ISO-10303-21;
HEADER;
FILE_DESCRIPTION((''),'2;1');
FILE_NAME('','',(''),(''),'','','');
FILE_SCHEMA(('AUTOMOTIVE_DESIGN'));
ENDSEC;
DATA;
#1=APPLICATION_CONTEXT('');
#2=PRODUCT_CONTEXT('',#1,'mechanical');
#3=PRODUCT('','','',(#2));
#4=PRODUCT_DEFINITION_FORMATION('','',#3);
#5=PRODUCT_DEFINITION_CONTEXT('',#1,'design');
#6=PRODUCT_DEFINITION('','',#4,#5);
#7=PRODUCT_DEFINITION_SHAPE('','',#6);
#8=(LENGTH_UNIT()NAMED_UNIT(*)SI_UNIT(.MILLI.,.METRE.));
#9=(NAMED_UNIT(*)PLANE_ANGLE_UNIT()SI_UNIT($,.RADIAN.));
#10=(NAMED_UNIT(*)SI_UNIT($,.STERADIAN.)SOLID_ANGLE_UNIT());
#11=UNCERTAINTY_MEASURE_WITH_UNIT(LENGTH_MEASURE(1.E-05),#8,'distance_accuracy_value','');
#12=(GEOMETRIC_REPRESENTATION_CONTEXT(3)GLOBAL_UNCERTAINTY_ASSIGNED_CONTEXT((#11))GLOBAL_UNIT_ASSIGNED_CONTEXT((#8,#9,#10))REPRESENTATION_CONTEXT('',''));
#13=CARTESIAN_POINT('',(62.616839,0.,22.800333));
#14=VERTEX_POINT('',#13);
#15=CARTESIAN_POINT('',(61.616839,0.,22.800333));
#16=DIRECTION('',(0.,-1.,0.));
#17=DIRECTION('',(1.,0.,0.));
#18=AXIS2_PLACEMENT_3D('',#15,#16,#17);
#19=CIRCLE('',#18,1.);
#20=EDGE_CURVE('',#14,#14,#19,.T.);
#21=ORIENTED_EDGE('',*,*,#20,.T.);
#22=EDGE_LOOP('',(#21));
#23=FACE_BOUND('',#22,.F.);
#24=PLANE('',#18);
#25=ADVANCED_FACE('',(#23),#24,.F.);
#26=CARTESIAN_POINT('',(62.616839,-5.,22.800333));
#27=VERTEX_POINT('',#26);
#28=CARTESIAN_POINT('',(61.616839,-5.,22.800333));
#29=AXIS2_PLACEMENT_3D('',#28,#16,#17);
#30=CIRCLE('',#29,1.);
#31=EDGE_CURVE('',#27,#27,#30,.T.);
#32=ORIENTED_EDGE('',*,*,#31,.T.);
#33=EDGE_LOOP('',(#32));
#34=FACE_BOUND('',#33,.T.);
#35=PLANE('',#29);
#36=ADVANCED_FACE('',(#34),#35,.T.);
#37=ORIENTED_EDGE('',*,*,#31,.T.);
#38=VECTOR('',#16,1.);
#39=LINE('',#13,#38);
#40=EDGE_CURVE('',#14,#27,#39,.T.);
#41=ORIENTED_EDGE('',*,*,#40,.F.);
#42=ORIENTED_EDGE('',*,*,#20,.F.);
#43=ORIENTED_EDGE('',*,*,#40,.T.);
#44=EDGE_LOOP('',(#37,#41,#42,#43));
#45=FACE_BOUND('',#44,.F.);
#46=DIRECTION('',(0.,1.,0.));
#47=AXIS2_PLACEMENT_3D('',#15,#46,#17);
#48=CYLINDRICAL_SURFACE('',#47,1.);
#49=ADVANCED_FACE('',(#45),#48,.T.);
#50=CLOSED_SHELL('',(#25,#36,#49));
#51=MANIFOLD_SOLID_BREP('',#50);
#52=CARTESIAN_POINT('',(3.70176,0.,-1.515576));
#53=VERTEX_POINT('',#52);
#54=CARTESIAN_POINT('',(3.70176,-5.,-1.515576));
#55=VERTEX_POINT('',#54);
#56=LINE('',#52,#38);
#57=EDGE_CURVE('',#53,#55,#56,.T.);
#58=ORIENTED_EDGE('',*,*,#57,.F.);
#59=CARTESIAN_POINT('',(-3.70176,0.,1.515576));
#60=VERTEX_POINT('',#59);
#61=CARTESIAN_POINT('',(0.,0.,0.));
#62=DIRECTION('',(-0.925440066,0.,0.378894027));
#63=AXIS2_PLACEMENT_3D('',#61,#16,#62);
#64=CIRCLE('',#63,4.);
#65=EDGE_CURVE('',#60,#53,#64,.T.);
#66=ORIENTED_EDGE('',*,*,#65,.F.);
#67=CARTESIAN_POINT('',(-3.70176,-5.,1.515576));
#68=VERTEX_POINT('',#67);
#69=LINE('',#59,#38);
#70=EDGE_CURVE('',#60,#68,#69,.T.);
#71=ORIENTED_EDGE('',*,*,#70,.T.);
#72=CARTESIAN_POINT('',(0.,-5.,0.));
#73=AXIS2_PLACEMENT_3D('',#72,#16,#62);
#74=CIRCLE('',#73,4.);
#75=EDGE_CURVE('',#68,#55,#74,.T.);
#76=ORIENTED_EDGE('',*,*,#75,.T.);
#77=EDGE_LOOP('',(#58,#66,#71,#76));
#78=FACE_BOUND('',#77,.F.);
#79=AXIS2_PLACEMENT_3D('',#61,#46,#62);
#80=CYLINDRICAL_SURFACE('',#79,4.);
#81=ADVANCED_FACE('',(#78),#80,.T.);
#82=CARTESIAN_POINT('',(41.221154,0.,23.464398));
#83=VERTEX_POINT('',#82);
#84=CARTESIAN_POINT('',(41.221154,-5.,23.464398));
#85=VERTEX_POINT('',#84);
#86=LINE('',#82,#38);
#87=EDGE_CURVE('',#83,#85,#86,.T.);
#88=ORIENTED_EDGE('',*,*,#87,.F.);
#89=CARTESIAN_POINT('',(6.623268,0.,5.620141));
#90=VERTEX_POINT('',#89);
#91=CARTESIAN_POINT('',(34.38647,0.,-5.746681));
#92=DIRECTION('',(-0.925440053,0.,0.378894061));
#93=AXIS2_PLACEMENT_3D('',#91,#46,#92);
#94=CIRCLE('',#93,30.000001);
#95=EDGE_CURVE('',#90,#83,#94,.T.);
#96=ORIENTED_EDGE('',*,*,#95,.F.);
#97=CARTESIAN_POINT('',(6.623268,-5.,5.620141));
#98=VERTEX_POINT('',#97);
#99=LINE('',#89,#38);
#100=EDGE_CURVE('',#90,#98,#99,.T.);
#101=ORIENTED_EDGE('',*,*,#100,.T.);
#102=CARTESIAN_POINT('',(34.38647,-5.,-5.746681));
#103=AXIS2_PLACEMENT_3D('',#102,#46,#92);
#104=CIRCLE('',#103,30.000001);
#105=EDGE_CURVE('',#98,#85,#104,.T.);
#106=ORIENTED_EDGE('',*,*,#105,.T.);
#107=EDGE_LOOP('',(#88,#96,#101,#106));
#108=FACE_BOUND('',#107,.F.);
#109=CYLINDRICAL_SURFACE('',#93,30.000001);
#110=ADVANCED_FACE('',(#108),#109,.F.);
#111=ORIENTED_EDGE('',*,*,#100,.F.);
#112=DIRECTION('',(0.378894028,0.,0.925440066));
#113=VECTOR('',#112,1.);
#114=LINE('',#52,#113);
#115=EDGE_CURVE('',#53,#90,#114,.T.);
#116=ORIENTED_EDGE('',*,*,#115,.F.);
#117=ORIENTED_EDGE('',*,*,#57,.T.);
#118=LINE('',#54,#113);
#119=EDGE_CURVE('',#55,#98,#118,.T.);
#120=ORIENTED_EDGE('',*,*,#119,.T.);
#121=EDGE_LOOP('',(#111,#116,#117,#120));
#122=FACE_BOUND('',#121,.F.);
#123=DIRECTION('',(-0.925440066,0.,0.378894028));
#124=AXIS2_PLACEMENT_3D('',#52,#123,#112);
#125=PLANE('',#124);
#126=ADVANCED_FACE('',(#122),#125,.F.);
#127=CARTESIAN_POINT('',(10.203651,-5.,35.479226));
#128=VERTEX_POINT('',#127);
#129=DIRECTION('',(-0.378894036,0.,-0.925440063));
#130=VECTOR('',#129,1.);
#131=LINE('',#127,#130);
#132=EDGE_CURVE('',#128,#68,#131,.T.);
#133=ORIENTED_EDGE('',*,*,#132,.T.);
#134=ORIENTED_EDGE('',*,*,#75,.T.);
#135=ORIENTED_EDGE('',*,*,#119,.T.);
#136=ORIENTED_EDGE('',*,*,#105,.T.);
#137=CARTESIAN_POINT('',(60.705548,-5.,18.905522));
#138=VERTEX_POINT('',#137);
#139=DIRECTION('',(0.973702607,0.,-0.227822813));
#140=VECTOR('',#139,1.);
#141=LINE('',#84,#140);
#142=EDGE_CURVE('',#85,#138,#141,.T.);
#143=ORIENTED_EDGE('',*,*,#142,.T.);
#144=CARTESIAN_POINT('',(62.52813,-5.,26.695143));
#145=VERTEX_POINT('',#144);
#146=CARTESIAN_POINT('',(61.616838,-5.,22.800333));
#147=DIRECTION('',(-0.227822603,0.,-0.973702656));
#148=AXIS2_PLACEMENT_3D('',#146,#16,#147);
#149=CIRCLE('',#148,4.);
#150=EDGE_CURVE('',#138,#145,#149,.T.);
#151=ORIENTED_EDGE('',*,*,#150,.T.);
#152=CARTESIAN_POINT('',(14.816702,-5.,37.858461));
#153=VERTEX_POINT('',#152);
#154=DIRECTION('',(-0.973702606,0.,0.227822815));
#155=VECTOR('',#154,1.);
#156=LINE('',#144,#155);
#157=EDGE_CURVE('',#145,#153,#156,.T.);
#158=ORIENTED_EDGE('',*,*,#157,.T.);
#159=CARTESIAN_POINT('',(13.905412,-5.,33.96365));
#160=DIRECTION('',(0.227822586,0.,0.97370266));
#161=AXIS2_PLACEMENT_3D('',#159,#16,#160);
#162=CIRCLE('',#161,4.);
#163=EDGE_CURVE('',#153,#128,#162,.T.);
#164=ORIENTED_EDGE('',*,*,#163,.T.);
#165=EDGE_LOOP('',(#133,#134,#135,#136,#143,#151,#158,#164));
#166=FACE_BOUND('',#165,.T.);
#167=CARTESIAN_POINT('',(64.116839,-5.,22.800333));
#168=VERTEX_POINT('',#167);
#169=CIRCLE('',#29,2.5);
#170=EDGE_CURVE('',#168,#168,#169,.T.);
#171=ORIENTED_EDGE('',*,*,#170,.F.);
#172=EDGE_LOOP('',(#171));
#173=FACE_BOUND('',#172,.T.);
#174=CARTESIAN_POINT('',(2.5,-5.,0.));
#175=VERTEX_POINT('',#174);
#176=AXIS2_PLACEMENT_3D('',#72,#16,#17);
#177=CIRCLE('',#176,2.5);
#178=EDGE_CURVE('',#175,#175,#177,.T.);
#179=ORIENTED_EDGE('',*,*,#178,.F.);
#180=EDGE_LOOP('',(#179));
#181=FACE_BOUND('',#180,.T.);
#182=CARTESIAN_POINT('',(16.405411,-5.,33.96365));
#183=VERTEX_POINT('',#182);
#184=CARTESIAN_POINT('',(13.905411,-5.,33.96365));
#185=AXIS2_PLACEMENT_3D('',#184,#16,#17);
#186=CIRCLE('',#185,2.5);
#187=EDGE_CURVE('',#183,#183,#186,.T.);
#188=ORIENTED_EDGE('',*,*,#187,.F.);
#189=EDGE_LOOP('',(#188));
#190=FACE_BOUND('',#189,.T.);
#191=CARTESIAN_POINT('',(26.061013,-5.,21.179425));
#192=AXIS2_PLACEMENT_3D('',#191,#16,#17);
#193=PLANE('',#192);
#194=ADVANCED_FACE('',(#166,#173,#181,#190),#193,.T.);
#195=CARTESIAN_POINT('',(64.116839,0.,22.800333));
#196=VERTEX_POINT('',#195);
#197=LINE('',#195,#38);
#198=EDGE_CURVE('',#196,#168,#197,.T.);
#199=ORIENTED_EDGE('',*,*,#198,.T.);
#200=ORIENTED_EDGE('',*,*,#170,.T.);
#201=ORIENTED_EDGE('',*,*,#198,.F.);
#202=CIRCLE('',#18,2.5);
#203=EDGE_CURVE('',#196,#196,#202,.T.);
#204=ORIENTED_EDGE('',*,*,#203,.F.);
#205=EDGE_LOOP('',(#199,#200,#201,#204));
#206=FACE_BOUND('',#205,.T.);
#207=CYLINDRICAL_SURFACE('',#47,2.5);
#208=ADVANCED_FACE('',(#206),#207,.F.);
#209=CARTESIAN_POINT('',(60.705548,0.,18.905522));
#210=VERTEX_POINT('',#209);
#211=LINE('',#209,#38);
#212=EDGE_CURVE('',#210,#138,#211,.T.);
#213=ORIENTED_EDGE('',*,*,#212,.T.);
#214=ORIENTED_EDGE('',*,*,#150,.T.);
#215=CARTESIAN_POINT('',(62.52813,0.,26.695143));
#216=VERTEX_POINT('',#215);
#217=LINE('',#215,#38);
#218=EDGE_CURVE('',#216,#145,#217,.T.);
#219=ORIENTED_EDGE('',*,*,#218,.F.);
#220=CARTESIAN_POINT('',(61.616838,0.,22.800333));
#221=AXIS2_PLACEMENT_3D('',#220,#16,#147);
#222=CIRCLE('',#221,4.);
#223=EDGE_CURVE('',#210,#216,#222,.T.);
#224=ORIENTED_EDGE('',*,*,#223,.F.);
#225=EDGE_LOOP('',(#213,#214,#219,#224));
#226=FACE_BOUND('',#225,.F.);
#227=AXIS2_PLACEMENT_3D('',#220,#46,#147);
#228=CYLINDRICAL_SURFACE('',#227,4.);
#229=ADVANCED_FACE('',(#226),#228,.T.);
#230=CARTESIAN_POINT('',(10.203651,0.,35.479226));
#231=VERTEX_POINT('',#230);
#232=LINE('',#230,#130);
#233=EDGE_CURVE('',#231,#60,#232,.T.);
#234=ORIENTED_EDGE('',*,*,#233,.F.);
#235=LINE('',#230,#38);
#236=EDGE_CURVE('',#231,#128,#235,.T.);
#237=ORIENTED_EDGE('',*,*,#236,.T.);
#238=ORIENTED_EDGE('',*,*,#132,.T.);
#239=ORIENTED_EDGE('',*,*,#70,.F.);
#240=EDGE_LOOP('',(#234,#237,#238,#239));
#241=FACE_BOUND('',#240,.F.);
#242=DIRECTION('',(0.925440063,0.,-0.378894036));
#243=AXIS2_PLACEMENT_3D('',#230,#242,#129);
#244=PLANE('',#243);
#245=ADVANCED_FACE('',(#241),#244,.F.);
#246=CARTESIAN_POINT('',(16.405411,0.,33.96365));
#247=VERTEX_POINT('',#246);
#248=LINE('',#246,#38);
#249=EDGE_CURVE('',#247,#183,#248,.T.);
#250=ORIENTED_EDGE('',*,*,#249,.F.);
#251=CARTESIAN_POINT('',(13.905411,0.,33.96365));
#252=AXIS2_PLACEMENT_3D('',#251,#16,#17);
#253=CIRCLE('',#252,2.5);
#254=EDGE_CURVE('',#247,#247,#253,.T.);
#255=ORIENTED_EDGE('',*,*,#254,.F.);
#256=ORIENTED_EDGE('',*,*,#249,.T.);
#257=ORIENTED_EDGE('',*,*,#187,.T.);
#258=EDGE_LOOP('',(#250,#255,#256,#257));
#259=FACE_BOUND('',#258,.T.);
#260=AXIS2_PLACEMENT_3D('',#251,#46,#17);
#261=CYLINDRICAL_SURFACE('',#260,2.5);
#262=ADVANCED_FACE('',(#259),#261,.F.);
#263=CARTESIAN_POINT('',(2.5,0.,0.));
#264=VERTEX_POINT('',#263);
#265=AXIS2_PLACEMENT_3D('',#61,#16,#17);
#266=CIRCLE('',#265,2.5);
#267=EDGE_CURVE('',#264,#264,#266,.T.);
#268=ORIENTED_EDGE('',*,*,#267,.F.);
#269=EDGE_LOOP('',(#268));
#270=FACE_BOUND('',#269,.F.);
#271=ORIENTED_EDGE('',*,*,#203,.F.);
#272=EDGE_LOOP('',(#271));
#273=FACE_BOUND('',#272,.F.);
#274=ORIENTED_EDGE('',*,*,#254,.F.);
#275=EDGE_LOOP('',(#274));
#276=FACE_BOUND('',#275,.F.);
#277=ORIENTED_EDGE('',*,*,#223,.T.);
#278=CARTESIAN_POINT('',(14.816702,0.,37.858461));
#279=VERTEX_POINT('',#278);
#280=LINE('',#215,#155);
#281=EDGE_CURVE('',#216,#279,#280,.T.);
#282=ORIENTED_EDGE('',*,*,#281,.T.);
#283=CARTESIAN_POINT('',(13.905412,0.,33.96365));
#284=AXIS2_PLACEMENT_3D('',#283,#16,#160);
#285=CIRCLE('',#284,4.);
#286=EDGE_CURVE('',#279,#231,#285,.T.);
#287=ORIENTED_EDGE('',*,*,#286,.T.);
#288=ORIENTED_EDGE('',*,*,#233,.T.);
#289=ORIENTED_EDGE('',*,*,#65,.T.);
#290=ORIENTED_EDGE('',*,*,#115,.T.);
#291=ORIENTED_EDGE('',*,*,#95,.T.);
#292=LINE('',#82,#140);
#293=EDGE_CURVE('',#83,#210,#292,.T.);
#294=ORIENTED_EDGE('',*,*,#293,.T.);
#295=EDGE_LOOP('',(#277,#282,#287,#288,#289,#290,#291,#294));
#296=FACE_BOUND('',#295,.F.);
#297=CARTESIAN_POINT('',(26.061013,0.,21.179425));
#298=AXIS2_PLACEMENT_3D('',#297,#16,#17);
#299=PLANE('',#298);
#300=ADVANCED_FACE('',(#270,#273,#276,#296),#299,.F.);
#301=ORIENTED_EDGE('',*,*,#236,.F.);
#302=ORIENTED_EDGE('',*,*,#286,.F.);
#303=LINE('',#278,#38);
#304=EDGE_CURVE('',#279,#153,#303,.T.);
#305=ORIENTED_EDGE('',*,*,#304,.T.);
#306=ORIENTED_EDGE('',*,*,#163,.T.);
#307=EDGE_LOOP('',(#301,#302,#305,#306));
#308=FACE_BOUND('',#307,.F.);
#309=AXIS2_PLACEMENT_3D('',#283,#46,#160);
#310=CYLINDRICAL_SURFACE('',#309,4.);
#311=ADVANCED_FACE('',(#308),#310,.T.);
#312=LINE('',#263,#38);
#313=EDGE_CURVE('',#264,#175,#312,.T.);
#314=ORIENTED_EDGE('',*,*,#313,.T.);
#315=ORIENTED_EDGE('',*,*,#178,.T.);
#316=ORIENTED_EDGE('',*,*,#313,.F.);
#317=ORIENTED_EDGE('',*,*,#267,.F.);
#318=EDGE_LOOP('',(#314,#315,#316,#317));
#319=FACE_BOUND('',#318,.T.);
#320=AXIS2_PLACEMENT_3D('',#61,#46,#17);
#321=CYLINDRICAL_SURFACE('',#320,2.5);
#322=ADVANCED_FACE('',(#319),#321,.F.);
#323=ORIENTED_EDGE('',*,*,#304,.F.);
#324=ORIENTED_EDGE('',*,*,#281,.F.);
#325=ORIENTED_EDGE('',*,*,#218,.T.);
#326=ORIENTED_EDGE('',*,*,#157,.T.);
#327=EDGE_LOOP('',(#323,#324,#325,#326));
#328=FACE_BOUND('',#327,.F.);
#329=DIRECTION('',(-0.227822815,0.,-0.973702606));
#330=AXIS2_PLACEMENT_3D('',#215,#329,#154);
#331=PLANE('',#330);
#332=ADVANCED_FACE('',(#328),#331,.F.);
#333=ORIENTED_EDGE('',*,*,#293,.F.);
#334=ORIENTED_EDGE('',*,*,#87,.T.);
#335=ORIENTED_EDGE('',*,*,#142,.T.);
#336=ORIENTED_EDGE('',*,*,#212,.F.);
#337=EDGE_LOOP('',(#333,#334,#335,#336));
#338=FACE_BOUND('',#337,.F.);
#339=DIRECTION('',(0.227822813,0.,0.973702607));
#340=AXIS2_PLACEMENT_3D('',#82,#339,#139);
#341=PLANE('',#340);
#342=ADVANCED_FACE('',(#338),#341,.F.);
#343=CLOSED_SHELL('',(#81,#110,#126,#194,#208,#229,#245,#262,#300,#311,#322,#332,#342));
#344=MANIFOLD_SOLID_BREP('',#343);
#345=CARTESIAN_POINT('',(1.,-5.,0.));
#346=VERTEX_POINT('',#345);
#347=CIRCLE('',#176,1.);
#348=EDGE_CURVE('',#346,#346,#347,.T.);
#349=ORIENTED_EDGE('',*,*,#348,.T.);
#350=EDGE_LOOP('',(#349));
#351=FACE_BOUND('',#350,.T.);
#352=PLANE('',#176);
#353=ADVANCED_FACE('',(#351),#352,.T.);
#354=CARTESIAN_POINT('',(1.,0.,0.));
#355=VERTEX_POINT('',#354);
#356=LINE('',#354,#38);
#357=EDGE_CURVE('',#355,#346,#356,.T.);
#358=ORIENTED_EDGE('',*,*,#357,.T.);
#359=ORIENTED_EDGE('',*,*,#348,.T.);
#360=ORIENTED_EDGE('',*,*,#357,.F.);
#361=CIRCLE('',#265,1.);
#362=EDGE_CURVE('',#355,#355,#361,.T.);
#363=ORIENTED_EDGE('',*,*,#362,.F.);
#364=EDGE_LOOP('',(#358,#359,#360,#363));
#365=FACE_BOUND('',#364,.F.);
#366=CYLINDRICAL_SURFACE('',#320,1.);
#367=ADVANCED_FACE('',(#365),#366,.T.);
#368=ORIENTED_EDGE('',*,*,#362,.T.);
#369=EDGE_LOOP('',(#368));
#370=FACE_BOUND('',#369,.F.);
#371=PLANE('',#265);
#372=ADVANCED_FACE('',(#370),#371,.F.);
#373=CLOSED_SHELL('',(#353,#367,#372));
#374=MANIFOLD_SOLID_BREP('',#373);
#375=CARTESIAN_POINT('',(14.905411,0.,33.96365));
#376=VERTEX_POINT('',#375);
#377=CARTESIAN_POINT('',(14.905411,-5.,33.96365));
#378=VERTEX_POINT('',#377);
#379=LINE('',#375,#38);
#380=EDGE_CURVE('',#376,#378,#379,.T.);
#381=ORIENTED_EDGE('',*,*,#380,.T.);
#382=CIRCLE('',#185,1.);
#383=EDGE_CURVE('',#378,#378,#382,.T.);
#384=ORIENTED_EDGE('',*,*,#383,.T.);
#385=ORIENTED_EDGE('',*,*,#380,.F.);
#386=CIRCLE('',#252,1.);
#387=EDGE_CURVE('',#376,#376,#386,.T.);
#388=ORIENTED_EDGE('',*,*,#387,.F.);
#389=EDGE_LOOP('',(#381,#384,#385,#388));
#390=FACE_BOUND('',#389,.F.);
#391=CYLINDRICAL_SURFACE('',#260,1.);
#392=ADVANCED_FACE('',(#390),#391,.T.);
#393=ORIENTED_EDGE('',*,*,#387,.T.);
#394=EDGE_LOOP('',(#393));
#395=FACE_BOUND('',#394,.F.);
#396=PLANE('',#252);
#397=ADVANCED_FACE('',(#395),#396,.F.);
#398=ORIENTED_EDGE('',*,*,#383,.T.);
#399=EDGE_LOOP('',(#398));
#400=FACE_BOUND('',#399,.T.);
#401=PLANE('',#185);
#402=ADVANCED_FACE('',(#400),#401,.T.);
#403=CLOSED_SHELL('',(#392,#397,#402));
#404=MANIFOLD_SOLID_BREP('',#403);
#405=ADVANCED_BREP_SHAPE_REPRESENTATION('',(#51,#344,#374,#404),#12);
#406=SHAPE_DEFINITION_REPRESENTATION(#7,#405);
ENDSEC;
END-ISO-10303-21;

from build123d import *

# Parameters (mm, degrees)
F0_R     = 2.5
F0_R_2   = 1
F1_DEPTH = 5


with BuildPart() as f1:
    # F0 (on Front) → F1 (new body)
    with BuildSketch(Plane.XZ):
        with BuildLine():
            Line((10.203651, 35.479226), (-3.70176, 1.515576))
            ThreePointArc((-3.70176, 1.515576), (-1.515576, -3.70176), (3.70176, -1.515576))
            Line((3.70176, -1.515576), (6.623268, 5.620141))
            ThreePointArc((6.623268, 5.620141), (20.634921, 20.915932), (41.221154, 23.464398))
            Line((41.221154, 23.464398), (60.705548, 18.905522))
            ThreePointArc((60.705548, 18.905522), (65.511649, 21.889042), (62.52813, 26.695143))
            Line((62.52813, 26.695143), (14.816702, 37.858461))
            ThreePointArc((14.816702, 37.858461), (12.071871, 37.518665), (10.203651, 35.479226))
        make_face()
        Circle(F0_R, mode=Mode.SUBTRACT)
        with Locations((13.905411, 33.96365)):
            Circle(F0_R, mode=Mode.SUBTRACT)
        with Locations((61.616839, 22.800333)):
            Circle(F0_R, mode=Mode.SUBTRACT)
        with Locations((13.905411, 33.96365)):
            Circle(F0_R_2)
        Circle(F0_R_2)
        with Locations((61.616839, 22.800333)):
            Circle(F0_R_2)
    extrude(amount=F1_DEPTH)


solid = f1.part
